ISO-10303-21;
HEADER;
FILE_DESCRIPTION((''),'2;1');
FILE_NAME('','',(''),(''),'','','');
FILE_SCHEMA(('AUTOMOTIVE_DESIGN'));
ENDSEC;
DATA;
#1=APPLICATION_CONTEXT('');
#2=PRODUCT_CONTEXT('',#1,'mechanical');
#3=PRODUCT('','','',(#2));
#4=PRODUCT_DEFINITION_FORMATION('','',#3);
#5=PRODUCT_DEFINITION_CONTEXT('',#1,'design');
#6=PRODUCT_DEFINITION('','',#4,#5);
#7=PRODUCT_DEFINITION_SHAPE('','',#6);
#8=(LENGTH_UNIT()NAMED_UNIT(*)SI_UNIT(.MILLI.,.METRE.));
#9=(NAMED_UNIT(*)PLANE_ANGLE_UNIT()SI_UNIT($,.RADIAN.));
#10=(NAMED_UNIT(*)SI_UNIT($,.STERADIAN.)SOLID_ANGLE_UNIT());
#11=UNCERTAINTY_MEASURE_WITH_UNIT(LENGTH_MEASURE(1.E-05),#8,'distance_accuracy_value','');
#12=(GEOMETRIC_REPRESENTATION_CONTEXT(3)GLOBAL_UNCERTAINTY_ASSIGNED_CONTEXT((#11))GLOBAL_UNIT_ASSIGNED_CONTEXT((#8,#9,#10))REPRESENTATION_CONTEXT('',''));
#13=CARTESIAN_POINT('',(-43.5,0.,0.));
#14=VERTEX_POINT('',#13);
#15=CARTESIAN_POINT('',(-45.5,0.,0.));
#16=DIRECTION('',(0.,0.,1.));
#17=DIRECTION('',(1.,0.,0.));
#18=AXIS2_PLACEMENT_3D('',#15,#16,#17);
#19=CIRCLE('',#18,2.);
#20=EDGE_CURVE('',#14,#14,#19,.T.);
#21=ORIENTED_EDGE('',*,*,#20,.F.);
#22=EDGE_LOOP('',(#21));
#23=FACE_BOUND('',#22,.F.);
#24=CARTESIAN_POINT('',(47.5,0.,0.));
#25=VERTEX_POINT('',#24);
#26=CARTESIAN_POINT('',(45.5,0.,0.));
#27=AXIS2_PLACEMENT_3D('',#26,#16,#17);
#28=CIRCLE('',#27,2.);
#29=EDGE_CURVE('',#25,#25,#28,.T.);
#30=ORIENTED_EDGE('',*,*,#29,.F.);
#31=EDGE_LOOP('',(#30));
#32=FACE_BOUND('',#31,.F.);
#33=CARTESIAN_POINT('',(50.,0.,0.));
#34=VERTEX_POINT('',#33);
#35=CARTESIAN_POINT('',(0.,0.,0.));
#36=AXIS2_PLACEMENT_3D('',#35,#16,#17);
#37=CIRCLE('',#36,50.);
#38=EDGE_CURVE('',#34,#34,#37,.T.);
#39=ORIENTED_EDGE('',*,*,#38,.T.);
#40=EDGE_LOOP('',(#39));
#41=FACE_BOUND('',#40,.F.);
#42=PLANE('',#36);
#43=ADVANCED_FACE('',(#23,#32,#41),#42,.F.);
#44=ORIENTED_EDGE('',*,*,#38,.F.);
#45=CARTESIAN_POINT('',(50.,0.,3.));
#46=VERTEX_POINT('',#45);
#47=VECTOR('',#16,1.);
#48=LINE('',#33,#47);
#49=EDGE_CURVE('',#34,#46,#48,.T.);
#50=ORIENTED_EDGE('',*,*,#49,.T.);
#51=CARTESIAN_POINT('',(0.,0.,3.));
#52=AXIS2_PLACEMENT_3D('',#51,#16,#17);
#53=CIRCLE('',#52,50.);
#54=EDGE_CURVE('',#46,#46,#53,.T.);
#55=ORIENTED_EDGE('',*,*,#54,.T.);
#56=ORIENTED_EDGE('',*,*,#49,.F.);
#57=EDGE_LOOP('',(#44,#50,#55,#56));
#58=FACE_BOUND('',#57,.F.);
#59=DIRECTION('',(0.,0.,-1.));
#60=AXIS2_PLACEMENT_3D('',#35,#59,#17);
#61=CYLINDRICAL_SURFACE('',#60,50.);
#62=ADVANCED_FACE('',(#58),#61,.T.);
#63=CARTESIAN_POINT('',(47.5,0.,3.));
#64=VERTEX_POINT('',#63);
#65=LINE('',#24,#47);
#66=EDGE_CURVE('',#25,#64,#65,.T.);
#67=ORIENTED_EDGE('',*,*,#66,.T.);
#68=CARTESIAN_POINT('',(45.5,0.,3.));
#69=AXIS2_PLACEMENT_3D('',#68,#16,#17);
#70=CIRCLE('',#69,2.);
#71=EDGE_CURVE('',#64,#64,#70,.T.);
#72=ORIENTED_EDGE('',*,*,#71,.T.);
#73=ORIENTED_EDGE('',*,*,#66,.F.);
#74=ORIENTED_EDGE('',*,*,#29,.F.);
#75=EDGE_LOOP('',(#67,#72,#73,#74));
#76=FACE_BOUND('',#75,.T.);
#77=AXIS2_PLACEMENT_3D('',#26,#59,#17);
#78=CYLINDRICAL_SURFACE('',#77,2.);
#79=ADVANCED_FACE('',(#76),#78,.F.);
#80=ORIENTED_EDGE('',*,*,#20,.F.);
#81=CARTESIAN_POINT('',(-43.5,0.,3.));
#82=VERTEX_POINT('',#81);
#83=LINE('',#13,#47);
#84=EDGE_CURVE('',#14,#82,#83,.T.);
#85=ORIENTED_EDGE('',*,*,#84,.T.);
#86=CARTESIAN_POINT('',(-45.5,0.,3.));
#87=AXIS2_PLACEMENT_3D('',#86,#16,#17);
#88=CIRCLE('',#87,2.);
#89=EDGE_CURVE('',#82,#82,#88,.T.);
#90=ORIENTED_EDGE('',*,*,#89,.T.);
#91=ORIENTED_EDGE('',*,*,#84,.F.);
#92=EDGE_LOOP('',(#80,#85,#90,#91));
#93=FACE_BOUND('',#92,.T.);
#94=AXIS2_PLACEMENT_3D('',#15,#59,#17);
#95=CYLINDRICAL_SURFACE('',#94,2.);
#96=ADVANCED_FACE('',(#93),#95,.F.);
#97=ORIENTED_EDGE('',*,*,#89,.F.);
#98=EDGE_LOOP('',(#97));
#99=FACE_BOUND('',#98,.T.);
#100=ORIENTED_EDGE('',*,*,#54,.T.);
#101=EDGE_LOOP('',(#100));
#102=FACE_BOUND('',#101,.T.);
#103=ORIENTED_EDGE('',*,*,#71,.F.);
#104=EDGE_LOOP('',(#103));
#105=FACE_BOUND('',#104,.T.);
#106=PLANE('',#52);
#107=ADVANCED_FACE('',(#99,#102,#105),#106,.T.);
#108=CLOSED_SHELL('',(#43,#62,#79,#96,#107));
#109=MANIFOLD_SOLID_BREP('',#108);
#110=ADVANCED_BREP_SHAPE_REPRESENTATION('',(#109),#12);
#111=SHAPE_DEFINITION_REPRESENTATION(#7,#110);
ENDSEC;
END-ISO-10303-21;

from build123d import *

# Parameters (mm, degrees)
SKETCH_R   = 50
SKETCH_R_2 = 2
PAD_DEPTH  = 3


with BuildPart() as part:
    # Sketch → Pad (new body)
    with BuildSketch(Plane.XY):
        Circle(SKETCH_R)
        with Locations((-45.5, 0)):
            Circle(SKETCH_R_2, mode=Mode.SUBTRACT)
        with Locations((45.5, 0)):
            Circle(SKETCH_R_2, mode=Mode.SUBTRACT)
    extrude(amount=PAD_DEPTH)


solid = part.part
